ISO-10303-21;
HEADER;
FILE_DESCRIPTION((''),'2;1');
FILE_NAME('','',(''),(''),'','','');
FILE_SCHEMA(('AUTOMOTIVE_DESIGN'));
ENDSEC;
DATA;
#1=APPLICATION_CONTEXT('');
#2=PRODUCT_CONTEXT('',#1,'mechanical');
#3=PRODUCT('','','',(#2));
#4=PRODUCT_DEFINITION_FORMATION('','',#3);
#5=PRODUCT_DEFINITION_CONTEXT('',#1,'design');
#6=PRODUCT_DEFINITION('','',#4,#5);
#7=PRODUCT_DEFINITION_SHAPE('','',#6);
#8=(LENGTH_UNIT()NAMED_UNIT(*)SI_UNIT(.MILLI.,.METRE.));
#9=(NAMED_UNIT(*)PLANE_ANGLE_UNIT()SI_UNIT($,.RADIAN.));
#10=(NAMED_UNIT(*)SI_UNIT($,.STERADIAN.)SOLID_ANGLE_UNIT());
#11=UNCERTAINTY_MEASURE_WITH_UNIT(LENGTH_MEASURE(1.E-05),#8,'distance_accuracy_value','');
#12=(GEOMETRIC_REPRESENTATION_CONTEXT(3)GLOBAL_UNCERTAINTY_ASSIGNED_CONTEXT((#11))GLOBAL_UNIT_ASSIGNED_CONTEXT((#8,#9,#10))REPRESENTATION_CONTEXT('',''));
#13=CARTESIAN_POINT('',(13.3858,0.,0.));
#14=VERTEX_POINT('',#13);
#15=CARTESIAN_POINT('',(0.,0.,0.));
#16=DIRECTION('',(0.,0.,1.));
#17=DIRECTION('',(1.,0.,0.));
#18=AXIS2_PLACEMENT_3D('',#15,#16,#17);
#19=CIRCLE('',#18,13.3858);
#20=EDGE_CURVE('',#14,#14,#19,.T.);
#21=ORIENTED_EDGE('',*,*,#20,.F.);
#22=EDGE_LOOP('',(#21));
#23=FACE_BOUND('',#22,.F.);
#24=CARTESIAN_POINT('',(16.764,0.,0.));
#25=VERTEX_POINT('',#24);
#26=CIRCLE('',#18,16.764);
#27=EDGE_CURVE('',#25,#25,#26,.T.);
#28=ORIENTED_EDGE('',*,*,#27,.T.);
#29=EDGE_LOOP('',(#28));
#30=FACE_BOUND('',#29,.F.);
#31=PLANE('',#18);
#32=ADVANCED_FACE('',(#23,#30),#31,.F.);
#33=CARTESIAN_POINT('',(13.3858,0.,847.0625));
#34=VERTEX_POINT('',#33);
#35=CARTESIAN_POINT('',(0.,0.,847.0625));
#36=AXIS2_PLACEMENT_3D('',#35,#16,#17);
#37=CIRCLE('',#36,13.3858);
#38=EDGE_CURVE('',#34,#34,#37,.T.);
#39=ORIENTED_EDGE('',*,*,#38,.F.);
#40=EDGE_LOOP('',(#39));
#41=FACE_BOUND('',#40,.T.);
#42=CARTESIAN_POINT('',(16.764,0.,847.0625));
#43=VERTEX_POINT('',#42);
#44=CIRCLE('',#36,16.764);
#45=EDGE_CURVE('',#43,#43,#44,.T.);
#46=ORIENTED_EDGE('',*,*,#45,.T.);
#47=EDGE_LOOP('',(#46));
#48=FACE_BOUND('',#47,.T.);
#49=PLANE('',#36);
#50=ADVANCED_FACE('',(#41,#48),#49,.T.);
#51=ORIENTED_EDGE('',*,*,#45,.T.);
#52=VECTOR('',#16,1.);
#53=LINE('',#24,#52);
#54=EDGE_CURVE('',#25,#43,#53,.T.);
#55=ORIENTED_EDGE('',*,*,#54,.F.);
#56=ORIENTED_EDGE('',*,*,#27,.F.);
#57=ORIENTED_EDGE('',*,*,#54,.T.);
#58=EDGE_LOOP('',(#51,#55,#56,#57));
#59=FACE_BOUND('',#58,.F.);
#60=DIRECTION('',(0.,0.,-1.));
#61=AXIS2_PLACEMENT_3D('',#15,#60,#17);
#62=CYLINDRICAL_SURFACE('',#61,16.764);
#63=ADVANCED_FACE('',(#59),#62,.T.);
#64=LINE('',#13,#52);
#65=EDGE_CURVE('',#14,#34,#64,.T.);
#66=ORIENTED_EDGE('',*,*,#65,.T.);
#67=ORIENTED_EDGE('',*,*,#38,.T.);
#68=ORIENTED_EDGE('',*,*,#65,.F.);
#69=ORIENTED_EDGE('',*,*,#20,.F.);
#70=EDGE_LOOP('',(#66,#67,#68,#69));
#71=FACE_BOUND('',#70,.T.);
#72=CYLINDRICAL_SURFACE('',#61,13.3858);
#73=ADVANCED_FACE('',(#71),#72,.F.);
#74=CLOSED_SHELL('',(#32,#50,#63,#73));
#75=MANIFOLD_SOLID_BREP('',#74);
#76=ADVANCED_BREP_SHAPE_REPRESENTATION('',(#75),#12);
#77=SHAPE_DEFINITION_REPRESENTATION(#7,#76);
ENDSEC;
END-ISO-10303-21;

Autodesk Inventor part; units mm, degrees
ref_plane "YZ Plane" through (0, 0, 0) normal (1, 0, 0) x (0, 1, 0)
ref_plane "Start plane" through (0, 0, 0) normal (0, 0, 1) x (1, 0, 0)
ref_plane "End plane" through (0, 0, 847.0625) normal (0, 0, 1) x (1, 0, 0)
sketch "Sketch" plane through (0, 0, 0) normal (0, 0, 1) x (1, 0, 0)
  circle A0 centre (0, 0) radius 13.3858
  circle A1 centre (0, 0) radius 16.764
  dimension "d0" = 33.528
  dimension "d1" = 3.3782
extrude "Body" add sketch "Sketch" along normal up to surface (847.0625 mm away) from surface at 0
sketch "Sketch3" plane through (0, 0, 0) normal (0, 0, 1) x (1, 0, 0)
  line L0 (0, 0) -> (10, 0)
ref_plane "Work Plane3" through (0, 0, 0) normal (0, -1, 0) x (1, 0, 0)
sketch "Sketch4" plane through (0, 0, 0) normal (0, -1, 0) x (1, 0, 0)
  line L0 (-2, 0) -> (12, 0) projected
  line L1 (-2, 847.0625) -> (12, 847.0625) projected
  dimension "d7" = 847.0625
equation "\"d0\" = G_H"
equation "\"d1\" = G_T"
equation "\"d2\" = G_L"
equation "\"G_H\" = 33.528"
equation "\"G_T\" = 3.3782"
equation "\"G_L\" = d7"
equation "\"G_OFFSET_START\" = 0"
equation "\"G_OFFSET_END\" = 0"
equation "\"d5\" = G_OFFSET_END + B_L"
equation "\"B_L\" = 847.0625"
properties part number "ANSI - 1 x 0.133 - 33.349" material "Steel, Mild"
